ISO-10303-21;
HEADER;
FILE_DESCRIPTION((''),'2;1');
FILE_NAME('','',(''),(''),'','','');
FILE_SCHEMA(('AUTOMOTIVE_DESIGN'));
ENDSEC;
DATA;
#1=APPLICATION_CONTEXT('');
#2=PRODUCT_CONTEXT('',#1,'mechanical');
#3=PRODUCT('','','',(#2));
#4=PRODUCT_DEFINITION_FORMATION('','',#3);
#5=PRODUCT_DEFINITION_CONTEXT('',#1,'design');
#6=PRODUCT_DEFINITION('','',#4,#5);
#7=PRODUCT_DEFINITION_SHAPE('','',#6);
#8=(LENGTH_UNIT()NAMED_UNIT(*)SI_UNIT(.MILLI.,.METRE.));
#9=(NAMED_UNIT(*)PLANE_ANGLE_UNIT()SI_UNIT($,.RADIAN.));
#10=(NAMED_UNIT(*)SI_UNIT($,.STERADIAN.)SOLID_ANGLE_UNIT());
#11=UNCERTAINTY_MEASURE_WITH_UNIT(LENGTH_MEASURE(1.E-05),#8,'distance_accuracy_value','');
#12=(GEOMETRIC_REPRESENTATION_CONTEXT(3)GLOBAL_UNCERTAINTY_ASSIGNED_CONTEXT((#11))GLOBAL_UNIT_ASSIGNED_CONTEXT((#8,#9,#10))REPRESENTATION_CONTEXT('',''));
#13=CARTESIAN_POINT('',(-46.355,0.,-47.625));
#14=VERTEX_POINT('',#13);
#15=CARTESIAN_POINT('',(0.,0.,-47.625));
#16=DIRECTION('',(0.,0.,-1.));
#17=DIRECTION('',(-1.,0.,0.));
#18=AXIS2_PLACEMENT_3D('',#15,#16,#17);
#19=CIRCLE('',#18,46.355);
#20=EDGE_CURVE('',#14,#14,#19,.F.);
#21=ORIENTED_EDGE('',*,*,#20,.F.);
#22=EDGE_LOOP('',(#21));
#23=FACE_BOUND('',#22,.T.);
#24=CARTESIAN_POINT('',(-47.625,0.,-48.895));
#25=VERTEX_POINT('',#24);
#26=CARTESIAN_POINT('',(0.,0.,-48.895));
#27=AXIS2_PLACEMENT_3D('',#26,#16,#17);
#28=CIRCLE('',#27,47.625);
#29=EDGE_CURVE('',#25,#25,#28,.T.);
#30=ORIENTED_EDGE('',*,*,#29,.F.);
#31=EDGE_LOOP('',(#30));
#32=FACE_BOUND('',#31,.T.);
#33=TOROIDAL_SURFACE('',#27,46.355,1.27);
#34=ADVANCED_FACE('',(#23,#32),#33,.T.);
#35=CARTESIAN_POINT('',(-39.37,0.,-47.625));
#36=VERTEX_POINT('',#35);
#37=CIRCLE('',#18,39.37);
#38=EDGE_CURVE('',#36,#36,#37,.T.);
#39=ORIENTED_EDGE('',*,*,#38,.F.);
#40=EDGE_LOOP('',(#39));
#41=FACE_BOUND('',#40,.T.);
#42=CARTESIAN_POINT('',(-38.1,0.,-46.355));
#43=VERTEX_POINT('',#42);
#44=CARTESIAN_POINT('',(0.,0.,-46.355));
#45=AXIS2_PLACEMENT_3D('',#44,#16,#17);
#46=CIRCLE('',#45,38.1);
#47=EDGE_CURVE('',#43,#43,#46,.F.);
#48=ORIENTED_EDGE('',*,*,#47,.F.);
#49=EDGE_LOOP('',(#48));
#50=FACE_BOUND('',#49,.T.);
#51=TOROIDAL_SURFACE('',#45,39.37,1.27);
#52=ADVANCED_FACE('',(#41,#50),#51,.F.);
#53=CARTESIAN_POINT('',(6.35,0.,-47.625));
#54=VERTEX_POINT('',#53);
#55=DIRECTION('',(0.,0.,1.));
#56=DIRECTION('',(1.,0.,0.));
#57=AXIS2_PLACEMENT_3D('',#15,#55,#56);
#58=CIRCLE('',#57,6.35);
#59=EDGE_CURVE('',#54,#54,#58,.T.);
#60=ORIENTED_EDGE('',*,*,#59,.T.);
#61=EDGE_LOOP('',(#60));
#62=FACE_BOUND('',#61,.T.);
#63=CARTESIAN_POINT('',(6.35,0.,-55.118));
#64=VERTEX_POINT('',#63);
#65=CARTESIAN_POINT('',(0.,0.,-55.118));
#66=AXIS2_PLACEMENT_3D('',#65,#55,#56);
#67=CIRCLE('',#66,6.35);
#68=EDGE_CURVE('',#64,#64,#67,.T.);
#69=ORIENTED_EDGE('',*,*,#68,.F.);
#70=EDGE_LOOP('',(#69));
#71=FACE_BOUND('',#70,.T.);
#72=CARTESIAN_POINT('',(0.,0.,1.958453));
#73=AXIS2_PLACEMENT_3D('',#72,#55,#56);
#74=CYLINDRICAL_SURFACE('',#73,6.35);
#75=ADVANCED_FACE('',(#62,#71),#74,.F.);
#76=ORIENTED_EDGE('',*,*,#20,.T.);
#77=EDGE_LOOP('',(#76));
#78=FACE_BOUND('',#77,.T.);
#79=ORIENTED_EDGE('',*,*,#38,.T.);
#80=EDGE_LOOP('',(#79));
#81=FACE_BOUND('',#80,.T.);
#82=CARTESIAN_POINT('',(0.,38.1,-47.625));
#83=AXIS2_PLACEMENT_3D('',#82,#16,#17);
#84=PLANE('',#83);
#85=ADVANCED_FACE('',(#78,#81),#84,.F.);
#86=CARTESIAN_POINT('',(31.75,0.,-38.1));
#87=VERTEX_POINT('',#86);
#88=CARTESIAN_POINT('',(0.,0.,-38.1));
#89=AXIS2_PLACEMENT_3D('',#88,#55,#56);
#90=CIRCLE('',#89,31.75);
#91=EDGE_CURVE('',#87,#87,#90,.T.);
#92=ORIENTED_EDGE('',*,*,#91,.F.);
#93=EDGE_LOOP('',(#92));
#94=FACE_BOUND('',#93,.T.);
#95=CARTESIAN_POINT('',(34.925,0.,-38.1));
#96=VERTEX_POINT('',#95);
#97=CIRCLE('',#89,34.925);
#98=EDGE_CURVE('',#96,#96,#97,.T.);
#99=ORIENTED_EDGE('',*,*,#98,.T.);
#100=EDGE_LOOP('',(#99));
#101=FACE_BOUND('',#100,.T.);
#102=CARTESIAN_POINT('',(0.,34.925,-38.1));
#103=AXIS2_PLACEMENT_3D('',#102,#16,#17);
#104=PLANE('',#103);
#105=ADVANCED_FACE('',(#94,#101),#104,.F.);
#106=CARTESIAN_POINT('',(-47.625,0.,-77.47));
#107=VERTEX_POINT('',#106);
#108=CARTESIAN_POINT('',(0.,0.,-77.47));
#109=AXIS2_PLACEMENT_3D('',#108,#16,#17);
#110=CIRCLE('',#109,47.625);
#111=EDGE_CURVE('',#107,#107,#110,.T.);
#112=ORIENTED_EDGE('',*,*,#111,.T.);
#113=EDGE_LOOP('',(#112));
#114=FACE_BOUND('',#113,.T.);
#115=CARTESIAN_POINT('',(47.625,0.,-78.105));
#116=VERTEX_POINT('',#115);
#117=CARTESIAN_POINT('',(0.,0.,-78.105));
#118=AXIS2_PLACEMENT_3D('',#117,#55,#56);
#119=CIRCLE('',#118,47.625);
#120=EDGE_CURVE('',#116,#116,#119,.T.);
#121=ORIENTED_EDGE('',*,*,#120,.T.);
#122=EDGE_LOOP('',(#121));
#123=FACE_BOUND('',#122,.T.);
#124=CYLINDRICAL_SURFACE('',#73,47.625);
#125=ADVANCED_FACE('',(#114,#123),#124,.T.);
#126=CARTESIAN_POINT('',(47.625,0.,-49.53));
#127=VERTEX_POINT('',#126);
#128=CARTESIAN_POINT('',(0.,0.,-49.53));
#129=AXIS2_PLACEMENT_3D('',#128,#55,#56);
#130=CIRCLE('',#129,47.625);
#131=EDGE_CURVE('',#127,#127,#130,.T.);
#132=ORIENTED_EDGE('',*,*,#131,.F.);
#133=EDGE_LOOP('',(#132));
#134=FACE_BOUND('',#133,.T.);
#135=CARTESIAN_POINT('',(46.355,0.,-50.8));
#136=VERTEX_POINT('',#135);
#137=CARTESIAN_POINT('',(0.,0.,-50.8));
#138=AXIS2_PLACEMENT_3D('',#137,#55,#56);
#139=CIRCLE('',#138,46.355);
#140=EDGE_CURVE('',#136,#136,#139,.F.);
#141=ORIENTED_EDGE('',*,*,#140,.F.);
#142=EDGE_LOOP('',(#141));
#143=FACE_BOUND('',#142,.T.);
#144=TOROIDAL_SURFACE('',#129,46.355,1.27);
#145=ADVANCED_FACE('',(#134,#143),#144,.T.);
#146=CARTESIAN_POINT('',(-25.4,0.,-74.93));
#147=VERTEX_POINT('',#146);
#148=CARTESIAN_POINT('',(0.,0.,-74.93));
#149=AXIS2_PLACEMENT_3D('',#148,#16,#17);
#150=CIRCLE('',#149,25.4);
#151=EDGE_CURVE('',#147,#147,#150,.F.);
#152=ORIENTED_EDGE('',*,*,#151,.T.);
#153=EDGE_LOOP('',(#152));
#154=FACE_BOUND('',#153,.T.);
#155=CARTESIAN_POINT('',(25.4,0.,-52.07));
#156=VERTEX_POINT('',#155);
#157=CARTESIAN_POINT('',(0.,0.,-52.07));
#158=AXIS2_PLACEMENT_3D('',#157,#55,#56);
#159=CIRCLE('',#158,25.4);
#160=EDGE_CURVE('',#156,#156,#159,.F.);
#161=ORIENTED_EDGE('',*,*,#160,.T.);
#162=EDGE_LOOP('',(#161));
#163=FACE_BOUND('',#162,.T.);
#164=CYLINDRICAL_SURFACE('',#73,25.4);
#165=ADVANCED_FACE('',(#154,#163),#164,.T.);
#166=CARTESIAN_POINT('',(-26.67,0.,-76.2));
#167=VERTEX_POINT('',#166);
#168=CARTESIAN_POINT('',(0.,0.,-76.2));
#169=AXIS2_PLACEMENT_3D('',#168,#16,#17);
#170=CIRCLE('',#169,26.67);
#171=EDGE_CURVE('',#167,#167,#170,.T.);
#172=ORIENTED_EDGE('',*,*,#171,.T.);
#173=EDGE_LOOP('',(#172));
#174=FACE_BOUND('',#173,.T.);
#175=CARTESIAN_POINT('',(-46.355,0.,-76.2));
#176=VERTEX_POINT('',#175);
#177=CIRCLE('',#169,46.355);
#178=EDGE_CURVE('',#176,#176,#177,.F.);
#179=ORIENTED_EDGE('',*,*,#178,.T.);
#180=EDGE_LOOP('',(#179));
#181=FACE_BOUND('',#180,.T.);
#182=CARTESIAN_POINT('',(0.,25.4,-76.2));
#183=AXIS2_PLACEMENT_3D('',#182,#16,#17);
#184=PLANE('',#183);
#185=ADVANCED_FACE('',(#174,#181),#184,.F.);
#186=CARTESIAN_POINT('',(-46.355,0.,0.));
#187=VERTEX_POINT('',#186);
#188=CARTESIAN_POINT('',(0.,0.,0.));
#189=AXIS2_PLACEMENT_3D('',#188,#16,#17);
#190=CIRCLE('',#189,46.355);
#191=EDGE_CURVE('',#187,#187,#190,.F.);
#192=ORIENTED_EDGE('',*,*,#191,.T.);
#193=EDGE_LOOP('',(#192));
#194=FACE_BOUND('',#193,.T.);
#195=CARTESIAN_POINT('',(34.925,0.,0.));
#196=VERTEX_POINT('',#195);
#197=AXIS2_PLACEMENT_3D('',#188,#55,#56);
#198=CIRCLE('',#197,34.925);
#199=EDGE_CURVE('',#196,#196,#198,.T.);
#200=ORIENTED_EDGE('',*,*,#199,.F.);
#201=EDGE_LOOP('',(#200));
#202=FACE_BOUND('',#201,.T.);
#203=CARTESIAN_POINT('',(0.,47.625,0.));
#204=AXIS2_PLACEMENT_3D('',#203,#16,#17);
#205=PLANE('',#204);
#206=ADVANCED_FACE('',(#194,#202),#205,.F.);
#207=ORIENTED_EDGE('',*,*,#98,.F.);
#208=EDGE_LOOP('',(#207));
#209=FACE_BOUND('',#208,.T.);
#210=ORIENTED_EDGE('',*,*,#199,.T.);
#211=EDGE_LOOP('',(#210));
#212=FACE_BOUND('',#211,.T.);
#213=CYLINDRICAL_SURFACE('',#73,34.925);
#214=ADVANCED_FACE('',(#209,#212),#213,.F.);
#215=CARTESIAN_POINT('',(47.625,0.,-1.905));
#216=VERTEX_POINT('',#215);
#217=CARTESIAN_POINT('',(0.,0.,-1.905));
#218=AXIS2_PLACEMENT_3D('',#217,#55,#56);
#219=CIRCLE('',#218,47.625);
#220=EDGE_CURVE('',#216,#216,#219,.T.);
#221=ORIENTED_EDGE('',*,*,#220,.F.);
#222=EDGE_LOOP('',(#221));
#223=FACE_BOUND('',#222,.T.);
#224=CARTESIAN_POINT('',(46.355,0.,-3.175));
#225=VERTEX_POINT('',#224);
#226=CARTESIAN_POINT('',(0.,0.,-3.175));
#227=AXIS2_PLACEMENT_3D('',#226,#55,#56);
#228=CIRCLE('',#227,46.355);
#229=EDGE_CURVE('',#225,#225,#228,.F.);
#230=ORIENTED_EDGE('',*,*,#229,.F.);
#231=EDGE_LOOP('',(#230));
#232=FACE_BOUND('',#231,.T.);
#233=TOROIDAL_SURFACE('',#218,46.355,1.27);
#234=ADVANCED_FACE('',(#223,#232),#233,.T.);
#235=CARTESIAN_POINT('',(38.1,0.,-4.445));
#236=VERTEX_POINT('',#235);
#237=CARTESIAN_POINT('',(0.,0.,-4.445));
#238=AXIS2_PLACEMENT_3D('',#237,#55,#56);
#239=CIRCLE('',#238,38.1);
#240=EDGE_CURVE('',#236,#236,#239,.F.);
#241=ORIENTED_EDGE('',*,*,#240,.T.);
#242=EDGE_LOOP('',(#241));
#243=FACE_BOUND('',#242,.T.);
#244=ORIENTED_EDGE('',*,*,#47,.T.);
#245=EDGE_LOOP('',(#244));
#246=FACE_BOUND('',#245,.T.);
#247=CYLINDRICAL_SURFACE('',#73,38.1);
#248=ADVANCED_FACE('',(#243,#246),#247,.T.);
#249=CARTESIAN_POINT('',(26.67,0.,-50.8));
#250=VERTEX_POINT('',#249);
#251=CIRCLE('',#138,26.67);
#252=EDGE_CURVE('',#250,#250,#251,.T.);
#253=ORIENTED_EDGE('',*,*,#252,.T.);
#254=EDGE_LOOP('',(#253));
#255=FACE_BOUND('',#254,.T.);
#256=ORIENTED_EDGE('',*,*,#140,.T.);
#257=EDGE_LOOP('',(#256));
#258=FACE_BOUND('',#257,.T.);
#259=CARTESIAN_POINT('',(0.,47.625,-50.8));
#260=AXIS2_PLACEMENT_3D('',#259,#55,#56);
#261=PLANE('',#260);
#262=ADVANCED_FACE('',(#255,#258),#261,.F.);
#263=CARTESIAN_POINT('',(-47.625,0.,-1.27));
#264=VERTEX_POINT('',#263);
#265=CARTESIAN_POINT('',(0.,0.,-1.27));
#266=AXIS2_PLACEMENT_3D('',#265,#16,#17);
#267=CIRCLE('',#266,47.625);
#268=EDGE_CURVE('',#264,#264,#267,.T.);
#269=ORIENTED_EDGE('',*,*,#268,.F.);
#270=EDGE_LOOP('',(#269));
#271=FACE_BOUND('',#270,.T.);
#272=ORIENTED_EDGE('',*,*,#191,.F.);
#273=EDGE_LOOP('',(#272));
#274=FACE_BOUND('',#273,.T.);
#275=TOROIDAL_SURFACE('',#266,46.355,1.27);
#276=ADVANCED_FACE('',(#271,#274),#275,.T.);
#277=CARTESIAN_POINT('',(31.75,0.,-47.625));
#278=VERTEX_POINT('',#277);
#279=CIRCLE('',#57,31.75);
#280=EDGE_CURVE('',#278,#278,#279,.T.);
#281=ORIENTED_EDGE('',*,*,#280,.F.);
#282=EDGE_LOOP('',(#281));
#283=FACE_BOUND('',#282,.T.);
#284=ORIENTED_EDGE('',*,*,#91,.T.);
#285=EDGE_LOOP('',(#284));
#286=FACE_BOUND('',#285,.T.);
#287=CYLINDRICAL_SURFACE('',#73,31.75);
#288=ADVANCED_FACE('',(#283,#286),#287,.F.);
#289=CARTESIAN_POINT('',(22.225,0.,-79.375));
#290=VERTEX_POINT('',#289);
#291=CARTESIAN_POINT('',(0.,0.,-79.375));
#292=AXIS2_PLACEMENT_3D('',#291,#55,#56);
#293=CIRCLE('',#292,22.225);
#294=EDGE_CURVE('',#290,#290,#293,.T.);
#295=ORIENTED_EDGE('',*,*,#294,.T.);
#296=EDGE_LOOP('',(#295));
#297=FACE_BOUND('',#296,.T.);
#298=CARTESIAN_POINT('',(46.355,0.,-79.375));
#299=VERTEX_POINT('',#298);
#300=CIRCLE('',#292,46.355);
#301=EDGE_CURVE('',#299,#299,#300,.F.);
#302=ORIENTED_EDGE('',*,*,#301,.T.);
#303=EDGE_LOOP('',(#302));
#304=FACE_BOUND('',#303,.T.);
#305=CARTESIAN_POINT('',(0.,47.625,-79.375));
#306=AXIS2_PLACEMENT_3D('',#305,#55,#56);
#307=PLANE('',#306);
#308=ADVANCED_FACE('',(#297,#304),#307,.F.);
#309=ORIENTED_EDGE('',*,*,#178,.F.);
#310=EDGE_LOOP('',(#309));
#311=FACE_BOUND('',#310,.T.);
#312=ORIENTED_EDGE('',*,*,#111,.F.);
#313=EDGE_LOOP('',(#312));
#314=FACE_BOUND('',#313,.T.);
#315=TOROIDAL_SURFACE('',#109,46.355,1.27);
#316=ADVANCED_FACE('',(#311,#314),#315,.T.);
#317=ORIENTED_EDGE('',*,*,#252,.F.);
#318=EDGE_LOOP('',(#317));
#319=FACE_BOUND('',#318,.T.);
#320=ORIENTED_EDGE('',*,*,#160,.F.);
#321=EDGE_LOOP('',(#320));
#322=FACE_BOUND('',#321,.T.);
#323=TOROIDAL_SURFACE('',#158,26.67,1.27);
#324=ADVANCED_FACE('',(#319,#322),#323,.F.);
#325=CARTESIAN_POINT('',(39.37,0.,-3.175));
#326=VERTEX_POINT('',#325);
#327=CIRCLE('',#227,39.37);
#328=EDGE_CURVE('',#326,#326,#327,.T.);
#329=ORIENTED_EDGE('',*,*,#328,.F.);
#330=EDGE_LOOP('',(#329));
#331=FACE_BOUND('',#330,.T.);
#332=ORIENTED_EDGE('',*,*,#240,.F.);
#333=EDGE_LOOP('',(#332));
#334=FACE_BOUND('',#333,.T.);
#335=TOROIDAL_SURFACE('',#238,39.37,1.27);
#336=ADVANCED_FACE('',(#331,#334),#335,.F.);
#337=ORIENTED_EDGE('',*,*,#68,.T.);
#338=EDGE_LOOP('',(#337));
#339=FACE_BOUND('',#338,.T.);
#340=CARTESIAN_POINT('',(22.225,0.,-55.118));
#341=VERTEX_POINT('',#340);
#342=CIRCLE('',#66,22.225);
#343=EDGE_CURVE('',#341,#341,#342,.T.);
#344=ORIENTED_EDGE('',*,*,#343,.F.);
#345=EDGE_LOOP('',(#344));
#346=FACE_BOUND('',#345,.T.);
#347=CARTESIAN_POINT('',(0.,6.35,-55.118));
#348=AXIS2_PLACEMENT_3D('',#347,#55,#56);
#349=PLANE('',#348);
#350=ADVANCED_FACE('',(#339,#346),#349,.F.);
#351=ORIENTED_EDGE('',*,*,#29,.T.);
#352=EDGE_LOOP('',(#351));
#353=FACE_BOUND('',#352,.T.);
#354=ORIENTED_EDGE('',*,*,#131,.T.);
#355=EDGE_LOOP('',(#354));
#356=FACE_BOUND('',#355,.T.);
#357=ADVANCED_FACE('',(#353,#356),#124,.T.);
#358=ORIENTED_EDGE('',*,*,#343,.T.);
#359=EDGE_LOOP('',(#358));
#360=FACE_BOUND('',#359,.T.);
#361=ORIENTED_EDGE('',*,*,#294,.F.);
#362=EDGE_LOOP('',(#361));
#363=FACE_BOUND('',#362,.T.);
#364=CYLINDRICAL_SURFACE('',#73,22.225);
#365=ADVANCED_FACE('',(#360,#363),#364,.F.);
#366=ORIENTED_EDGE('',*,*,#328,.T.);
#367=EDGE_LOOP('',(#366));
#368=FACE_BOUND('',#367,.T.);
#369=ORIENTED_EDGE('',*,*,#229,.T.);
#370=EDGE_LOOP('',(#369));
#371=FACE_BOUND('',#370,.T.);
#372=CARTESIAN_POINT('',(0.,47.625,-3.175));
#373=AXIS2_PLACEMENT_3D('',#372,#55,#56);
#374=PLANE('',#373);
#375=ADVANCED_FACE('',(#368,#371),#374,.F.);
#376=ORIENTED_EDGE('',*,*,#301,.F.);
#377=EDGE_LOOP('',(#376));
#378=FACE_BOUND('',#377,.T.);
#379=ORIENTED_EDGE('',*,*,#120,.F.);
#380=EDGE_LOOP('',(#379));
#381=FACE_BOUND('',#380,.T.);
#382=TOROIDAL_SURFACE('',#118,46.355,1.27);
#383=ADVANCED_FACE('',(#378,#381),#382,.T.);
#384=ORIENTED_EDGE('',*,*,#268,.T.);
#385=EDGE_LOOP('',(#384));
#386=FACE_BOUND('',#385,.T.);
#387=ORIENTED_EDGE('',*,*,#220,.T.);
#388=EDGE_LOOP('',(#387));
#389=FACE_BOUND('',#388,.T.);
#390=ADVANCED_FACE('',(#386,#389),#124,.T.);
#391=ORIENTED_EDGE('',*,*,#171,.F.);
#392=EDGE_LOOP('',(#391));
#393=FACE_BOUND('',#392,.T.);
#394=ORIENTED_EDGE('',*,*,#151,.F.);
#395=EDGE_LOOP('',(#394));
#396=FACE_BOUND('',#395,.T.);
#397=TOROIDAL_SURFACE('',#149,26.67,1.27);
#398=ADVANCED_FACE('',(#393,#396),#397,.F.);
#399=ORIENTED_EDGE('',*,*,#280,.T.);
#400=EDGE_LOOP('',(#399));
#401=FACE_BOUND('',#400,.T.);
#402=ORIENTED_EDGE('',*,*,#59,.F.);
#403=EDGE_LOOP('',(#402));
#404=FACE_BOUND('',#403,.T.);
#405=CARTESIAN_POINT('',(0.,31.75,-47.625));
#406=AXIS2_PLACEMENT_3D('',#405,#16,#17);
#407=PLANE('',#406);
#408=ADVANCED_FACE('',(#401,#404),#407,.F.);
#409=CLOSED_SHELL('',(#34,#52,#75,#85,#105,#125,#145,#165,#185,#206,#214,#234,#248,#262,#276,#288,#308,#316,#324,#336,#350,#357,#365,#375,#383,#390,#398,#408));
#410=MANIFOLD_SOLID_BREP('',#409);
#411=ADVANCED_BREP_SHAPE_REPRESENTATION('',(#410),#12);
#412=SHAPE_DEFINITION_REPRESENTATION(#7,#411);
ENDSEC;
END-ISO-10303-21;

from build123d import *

# Parameters (mm, degrees)
FILLET1_R = 1.27
FILLET2_R = 1.27


with BuildPart() as part:
    # Sketch1 → Revolve1 (revolve)
    with BuildSketch(Plane(origin=(0, 0, 0), x_dir=(0, 0, -1), z_dir=(1, 0, 0)), mode=Mode.PRIVATE) as revolve1_sk:
        Polygon((0, 47.625), (0, 34.925), (38.1, 34.925), (38.1, 31.75), (47.625, 31.75), (47.625, 6.35), (55.118, 6.35), (55.118, 22.225), (79.375, 22.225), (79.375, 47.625), (76.2, 47.625), (76.2, 25.4), (50.8, 25.4), (50.8, 47.625), (47.625, 47.625), (47.625, 38.1), (3.175, 38.1), (3.175, 47.625), align=None)
    revolve(revolve1_sk.sketch.rotate(Axis((0, 0, 1.958452589), (0, 0, -1)), 90), axis=Axis((0, 0, 1.958452589), (0, 0, -1)))

    # Fillet1
    fillet1_edges = [part.edges().sort_by_distance(p)[0] for p in [
        (-47.625, 0, -3.175),
        (-47.625, 0, -47.625),
        (-47.625, 0, -50.8),
        (-47.625, 0, -76.2),
        (-47.625, 0, -79.375),
        (-47.625, 0, 0),
    ]]
    fillet(fillet1_edges, radius=FILLET1_R)

    # Fillet2
    fillet2_edges = [part.edges().sort_by_distance(p)[0] for p in [
        (-38.1, 0, -3.175),
        (-38.1, 0, -47.625),
        (-25.4, 0, -50.8),
        (-25.4, 0, -76.2),
    ]]
    fillet(fillet2_edges, radius=FILLET2_R)


solid = part.part
